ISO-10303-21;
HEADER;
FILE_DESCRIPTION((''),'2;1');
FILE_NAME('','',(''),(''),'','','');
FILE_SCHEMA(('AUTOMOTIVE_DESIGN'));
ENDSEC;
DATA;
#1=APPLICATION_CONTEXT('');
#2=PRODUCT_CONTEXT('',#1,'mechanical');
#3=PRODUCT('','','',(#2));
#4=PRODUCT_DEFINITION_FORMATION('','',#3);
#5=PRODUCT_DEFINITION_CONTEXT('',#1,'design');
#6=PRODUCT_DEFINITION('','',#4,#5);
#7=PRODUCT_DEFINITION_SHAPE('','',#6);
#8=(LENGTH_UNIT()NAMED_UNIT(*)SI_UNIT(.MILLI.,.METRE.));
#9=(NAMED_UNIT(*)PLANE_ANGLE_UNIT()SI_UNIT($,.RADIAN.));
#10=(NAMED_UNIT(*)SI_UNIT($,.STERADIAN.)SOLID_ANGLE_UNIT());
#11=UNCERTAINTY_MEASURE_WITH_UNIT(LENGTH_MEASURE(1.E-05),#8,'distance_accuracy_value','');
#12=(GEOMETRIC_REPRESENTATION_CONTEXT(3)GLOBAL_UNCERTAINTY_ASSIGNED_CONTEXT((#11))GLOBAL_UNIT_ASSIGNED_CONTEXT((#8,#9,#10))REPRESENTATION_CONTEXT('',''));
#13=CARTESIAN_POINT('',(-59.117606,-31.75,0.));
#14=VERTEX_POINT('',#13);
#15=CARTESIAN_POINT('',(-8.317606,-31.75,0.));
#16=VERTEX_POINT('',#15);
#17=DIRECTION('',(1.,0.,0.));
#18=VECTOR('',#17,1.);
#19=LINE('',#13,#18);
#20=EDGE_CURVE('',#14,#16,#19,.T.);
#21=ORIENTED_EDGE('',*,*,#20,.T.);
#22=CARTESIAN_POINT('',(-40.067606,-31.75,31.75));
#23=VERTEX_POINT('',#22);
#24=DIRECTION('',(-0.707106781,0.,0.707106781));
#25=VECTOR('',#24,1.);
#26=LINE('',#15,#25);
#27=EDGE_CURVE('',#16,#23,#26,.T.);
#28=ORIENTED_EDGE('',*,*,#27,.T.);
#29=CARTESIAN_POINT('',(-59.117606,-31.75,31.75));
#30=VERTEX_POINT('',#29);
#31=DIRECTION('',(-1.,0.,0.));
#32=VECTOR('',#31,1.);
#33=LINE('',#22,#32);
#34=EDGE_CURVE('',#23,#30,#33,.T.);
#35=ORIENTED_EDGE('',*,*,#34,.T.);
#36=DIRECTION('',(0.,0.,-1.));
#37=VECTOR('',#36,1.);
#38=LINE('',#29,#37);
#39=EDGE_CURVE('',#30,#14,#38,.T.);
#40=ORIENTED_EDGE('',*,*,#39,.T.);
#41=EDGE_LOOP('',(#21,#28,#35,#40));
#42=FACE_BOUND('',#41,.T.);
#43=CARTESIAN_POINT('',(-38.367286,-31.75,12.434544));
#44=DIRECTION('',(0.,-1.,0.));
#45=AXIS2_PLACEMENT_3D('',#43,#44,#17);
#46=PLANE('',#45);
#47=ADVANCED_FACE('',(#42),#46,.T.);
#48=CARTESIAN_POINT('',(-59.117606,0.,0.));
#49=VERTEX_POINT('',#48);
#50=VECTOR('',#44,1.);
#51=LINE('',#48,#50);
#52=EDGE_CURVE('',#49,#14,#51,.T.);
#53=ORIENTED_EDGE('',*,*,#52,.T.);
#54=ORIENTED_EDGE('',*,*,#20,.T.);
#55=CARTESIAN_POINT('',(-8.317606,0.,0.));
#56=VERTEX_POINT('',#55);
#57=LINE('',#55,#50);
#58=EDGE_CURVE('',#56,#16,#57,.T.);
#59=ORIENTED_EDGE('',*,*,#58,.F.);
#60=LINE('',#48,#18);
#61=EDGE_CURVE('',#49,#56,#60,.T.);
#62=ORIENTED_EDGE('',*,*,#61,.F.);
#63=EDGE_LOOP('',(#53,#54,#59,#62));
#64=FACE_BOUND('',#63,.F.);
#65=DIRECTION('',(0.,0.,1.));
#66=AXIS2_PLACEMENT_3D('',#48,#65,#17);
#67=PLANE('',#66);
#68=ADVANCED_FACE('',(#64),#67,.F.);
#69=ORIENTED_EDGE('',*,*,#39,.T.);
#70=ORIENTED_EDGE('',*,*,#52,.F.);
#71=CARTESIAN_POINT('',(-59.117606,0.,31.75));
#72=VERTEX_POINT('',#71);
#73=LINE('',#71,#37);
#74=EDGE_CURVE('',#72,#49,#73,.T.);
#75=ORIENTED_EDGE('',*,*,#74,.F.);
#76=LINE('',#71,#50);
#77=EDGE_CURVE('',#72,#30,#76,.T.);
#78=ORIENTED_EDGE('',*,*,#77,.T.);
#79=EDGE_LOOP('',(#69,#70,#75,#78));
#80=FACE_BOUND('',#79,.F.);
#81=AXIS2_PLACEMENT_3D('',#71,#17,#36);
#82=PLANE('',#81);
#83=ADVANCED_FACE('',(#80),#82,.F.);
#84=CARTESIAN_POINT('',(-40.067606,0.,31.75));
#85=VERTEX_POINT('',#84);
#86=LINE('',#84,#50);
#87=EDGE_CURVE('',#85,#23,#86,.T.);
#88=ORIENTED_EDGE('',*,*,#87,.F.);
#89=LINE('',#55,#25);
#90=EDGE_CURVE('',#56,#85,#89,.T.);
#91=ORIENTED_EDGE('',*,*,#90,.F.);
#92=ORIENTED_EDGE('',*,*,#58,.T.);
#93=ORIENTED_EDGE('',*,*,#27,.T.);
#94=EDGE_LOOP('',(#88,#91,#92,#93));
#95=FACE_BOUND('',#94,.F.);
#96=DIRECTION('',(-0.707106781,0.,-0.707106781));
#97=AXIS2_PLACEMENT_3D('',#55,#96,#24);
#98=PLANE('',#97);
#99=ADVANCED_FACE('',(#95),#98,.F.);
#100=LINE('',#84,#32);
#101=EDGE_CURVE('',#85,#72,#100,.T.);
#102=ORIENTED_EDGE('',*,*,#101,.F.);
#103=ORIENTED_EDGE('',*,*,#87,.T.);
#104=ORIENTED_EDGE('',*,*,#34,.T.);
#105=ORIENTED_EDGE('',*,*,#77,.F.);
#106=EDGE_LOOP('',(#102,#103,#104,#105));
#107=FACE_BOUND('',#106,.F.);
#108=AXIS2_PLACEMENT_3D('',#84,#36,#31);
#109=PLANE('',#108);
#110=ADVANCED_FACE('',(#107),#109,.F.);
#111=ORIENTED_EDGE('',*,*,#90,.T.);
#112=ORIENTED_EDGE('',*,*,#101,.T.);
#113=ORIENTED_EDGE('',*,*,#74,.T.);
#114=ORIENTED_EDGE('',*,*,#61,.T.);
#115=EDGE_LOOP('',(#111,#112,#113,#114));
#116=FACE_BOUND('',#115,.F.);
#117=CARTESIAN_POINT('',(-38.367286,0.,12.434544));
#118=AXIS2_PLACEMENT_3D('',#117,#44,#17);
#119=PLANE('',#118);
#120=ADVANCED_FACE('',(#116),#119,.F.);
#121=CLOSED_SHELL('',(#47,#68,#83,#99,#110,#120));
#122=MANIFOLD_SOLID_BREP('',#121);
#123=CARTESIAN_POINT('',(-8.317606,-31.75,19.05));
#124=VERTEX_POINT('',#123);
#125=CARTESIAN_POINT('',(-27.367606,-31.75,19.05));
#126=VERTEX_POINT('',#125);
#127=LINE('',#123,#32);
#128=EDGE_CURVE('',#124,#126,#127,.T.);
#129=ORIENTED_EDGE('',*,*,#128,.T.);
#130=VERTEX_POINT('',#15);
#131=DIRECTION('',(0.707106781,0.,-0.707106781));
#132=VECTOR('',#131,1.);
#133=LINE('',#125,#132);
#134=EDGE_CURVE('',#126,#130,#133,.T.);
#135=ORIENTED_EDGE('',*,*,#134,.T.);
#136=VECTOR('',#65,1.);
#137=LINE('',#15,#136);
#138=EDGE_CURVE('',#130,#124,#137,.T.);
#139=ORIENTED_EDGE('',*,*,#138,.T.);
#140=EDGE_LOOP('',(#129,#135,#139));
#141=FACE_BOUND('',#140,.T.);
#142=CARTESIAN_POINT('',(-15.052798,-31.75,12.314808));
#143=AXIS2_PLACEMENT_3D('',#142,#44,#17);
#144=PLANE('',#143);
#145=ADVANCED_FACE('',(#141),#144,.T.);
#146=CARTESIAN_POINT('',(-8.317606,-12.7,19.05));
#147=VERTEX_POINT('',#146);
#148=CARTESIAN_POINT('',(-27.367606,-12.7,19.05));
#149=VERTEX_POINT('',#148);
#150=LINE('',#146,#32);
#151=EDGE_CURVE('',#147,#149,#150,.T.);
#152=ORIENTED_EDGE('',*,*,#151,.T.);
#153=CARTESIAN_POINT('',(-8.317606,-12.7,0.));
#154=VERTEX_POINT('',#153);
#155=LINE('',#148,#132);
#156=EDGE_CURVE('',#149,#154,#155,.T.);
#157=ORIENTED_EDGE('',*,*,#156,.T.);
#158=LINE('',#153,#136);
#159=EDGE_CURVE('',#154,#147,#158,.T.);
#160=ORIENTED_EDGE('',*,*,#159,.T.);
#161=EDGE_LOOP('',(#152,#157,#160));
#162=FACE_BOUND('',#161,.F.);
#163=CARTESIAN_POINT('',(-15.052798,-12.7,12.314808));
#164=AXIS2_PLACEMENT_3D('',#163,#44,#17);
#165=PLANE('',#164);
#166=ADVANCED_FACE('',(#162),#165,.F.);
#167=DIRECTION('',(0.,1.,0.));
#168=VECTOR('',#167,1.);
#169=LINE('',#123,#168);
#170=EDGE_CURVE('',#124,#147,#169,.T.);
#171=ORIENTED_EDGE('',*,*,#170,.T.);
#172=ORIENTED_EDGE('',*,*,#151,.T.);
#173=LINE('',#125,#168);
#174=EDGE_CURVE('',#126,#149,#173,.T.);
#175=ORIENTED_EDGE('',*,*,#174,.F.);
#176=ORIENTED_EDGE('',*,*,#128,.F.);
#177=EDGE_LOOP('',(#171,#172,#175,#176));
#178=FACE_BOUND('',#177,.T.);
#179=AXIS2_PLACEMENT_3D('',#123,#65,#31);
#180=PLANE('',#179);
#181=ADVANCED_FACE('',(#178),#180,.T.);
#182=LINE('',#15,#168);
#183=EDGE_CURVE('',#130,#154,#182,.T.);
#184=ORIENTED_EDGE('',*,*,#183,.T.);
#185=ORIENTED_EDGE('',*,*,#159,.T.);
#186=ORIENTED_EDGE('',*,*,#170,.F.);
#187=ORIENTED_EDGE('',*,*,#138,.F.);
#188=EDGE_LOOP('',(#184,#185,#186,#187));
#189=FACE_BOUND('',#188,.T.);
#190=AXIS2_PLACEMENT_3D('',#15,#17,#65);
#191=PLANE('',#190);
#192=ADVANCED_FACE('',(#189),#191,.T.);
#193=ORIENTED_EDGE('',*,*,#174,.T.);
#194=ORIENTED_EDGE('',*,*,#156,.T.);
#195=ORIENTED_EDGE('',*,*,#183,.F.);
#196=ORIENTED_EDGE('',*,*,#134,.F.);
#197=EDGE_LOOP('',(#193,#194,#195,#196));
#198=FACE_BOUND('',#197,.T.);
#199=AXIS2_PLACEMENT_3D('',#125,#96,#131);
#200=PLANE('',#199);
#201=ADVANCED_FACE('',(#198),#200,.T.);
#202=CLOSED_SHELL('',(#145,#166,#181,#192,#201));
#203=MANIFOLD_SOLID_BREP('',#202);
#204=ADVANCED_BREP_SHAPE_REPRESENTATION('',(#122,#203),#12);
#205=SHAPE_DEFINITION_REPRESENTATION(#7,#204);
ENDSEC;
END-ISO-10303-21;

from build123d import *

# Parameters (mm, degrees)
F1_DEPTH = 31.75
F3_DEPTH = 19.05


with BuildPart() as f1:
    # F0 (on Front) → F1 (new body)
    with BuildSketch(Plane.XZ):
        Polygon((-59.117606, 31.75), (-59.117606, 0), (-8.317606, 0), (-40.067606, 31.75), align=None)
    extrude(amount=F1_DEPTH)


with BuildPart() as f3:
    # F2 (on face) → F3 (new body)
    with BuildSketch(Plane.XZ.offset(31.75)):
        Polygon((-8.317606, 19.05), (-27.367606, 19.05), (-8.317606, 0), align=None)
    extrude(amount=-F3_DEPTH)


solid = Compound([f1.part, f3.part])
